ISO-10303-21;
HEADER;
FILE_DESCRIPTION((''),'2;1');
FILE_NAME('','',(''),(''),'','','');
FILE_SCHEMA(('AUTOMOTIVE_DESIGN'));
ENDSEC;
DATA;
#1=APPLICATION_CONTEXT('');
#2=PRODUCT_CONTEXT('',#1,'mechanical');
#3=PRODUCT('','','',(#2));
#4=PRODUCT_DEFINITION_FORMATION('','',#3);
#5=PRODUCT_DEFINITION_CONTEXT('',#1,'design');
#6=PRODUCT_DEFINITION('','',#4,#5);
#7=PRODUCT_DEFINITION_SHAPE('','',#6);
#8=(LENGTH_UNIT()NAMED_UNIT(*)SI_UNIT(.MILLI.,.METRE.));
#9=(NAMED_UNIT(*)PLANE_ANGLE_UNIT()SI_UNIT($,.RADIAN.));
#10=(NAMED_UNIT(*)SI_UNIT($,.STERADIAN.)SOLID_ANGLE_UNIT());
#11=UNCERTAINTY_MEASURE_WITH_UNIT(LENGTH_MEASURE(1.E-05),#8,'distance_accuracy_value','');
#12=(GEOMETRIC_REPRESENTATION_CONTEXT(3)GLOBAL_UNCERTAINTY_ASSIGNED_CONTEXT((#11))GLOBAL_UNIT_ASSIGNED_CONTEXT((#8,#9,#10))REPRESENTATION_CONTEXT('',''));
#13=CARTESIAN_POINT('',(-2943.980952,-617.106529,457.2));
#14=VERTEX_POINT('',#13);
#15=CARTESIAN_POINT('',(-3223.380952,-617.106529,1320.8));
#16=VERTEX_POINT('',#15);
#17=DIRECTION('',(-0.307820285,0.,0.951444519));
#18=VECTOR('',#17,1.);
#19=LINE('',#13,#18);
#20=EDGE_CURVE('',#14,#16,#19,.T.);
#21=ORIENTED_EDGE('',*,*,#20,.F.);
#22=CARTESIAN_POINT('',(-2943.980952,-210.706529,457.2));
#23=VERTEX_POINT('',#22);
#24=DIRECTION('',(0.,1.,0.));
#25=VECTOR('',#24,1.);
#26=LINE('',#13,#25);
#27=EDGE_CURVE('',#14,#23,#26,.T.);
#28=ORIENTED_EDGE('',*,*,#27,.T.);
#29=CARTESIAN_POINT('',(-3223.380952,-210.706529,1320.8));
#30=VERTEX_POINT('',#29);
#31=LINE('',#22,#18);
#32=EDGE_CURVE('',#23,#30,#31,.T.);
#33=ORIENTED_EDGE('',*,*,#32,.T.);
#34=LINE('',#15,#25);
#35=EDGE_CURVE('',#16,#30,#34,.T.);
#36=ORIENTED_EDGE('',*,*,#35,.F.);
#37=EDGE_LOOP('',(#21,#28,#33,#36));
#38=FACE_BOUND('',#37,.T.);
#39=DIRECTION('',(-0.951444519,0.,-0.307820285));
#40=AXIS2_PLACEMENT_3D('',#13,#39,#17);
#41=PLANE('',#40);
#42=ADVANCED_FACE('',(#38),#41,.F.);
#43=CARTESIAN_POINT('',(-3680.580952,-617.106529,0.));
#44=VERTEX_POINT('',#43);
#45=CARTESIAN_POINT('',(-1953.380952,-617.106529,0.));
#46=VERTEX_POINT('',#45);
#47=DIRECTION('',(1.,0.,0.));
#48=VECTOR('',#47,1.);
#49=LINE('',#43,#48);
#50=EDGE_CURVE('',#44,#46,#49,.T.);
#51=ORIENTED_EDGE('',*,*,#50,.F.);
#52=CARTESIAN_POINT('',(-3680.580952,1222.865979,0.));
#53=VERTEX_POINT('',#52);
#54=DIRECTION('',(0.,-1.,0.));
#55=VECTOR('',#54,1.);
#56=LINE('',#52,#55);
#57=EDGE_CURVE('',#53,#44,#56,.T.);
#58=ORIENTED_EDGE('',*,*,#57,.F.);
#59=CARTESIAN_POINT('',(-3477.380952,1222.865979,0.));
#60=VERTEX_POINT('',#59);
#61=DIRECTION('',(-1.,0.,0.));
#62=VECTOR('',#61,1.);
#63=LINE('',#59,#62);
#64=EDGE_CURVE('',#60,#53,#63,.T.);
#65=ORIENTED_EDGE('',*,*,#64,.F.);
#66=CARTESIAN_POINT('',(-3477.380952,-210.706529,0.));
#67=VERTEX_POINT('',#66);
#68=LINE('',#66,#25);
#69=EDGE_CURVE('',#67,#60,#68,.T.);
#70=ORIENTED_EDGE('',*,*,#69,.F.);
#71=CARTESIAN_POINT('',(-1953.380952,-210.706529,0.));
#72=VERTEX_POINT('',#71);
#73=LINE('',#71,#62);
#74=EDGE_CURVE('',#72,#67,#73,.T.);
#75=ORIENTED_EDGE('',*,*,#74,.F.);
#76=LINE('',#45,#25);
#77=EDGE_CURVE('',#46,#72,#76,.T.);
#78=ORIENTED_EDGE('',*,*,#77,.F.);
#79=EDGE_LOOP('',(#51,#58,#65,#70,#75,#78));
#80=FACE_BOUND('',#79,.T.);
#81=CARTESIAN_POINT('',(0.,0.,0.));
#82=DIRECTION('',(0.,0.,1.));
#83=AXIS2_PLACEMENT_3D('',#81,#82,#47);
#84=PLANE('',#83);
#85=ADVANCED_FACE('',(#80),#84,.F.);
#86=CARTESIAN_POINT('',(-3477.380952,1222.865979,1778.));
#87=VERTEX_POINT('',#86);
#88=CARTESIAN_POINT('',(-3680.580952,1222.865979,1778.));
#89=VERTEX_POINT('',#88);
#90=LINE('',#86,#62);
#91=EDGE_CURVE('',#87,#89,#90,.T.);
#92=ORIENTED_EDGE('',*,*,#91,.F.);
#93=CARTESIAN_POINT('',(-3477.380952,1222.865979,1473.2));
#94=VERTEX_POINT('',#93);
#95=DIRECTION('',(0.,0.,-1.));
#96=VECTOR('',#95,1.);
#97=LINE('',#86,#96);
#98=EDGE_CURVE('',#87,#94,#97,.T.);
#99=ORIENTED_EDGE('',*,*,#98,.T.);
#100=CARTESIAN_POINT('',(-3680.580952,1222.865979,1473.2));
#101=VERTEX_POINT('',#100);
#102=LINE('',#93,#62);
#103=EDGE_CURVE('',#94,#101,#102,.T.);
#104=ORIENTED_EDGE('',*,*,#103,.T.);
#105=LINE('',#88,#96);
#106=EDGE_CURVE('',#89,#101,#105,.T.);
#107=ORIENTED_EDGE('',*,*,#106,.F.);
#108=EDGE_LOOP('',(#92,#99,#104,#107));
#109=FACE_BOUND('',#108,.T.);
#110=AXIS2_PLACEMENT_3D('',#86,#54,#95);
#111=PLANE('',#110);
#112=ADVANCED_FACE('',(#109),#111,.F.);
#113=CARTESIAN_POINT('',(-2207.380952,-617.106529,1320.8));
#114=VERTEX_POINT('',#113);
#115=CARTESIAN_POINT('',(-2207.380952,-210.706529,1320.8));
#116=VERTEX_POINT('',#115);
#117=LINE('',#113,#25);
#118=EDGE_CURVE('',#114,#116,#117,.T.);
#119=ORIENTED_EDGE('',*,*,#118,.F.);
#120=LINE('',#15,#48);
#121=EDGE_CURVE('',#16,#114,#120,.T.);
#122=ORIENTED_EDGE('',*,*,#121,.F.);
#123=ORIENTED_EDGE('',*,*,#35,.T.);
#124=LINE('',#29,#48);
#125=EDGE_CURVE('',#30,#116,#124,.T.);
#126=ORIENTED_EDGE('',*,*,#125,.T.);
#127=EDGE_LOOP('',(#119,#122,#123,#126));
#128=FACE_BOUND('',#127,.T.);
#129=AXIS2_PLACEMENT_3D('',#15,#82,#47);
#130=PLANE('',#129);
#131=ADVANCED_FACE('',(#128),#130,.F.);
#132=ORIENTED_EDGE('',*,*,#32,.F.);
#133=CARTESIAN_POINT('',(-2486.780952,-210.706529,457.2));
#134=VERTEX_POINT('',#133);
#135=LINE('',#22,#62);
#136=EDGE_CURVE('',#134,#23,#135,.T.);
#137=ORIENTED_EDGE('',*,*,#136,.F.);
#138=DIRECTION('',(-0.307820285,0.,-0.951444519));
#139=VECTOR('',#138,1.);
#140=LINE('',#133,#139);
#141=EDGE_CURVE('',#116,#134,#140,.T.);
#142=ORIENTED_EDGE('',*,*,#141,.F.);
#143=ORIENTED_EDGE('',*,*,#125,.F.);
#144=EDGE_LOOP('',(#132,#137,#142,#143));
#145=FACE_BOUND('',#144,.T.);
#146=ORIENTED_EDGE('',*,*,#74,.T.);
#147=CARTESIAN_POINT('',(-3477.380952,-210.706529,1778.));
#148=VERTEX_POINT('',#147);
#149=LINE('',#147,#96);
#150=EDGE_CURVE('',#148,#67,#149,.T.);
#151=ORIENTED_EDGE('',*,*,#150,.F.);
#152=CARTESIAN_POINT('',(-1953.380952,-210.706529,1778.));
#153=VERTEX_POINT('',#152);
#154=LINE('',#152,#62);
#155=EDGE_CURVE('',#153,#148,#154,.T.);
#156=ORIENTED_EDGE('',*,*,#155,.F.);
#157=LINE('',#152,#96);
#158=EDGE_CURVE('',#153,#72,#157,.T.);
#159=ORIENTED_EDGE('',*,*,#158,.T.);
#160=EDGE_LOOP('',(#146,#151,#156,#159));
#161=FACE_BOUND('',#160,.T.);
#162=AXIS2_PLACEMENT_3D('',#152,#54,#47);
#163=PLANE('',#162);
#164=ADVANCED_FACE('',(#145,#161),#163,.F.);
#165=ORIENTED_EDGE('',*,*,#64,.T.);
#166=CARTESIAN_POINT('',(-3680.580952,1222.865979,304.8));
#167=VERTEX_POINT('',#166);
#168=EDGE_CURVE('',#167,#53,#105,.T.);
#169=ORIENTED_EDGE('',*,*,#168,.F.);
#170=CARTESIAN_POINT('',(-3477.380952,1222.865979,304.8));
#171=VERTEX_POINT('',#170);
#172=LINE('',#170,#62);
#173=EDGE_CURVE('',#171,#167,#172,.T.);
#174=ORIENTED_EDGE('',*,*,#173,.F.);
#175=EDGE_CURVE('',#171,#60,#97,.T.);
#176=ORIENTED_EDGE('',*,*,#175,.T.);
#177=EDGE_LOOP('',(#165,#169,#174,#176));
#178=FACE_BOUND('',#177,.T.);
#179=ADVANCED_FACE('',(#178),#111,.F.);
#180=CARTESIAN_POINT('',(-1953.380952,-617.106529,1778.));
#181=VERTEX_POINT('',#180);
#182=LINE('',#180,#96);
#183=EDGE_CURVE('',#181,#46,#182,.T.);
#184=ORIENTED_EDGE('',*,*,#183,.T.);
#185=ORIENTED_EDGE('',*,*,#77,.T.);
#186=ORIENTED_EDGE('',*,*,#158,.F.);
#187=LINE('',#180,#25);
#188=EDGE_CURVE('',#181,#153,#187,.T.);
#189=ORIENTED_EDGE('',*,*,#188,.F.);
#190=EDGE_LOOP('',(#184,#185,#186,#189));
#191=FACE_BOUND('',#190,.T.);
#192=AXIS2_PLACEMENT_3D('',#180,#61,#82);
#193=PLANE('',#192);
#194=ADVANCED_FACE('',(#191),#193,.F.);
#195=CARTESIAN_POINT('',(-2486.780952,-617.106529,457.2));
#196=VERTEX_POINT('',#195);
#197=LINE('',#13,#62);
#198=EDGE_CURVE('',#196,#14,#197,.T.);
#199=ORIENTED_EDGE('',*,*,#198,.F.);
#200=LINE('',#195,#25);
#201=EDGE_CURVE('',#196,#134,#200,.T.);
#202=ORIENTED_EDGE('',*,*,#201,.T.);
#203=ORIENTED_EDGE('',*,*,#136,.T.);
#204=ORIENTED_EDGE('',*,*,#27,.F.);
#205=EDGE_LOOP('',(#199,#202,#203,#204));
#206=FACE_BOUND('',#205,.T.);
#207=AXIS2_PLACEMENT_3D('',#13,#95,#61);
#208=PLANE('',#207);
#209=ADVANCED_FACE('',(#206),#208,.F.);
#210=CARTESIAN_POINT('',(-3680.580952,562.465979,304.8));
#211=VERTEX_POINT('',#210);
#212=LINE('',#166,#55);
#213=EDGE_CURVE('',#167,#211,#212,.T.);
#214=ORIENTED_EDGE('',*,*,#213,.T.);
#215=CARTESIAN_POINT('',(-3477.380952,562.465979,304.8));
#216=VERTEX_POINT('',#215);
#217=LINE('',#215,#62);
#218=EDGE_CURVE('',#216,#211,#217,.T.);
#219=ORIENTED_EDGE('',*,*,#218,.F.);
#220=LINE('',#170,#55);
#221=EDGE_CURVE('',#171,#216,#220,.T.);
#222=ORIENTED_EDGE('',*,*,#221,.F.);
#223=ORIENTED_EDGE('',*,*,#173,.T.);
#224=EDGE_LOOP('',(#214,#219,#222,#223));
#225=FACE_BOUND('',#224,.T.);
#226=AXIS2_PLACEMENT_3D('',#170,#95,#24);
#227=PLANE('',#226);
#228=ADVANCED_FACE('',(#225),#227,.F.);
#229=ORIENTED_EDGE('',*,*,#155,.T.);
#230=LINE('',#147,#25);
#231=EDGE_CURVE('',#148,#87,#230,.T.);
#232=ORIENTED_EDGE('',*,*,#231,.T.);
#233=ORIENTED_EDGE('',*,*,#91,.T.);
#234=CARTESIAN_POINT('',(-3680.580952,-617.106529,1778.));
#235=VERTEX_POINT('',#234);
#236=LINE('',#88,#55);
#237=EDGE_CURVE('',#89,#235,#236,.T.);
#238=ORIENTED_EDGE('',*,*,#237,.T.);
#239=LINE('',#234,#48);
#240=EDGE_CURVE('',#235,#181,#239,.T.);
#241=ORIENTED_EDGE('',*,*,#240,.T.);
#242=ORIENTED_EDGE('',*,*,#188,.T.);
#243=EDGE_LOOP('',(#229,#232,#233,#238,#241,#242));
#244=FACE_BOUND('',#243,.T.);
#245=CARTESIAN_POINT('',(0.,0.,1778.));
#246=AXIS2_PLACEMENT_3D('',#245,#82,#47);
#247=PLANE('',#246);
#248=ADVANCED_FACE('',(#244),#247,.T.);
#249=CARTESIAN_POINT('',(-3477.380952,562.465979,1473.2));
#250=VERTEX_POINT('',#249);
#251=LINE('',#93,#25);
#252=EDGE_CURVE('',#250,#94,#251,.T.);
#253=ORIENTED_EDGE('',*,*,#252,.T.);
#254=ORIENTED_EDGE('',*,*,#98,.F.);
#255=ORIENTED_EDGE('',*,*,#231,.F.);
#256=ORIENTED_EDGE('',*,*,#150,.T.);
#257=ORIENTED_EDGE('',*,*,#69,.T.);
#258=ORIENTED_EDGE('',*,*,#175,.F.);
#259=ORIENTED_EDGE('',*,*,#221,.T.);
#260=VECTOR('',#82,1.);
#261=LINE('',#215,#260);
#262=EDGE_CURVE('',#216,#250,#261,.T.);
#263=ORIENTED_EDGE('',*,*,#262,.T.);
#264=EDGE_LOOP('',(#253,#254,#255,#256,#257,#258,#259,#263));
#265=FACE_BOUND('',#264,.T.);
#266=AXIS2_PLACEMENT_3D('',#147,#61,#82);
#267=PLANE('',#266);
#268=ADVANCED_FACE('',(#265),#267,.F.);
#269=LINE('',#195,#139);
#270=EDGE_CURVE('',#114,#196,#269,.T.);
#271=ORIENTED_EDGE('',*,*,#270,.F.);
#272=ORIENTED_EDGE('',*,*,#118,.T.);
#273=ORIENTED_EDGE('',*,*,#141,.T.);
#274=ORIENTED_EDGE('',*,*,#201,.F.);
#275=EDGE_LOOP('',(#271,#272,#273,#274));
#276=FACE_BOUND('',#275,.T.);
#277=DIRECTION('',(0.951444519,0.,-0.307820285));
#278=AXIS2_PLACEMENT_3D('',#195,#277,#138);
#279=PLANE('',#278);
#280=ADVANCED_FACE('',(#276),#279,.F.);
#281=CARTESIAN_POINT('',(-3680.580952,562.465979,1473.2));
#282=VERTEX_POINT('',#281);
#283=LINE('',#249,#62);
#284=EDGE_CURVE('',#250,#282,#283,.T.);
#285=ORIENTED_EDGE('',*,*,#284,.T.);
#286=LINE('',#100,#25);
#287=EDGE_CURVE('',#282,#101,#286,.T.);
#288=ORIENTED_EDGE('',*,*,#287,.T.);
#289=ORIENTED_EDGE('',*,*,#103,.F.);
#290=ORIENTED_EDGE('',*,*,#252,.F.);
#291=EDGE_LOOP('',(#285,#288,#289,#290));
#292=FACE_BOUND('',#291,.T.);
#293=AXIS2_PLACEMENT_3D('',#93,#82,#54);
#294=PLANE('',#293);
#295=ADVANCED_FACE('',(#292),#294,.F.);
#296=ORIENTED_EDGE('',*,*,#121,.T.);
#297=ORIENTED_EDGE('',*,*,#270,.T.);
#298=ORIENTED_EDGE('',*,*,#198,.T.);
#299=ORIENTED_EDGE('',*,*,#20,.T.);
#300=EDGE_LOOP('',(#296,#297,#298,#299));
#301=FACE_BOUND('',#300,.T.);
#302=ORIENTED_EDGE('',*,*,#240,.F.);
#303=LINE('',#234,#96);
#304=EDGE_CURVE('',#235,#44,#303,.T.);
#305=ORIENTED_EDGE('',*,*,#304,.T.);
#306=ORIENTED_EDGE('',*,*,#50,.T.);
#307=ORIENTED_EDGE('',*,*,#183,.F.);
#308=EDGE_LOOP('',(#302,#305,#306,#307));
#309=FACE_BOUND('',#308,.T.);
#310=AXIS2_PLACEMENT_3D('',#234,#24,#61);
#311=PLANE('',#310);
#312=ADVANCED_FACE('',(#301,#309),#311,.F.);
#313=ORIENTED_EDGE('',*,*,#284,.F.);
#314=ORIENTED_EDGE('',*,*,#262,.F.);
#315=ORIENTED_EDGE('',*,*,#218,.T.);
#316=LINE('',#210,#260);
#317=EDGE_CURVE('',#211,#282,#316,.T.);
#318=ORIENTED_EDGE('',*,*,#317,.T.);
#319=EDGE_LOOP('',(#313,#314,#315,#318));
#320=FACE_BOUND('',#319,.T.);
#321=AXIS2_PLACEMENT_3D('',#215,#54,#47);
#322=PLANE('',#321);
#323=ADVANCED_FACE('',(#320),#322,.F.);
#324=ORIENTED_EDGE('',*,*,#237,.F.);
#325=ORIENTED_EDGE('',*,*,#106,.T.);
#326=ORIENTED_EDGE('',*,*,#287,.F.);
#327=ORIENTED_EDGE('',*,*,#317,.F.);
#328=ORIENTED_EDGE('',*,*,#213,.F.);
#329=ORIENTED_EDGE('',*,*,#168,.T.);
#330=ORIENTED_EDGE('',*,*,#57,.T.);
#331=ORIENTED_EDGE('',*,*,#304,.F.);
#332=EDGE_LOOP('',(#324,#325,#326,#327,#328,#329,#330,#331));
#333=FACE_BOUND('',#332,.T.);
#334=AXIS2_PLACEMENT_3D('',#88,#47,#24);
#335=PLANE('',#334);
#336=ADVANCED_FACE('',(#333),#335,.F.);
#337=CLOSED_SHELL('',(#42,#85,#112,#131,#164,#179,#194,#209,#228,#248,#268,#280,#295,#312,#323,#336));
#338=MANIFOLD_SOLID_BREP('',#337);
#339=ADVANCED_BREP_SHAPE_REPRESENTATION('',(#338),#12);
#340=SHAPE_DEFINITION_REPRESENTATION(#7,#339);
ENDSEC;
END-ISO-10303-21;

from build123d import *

# Parameters (mm, degrees)
Y_KSEKLIK_EKSTR_ZYON1_DEPTH = 1778
IZIM3_W                     = 1168.4
IZIM3_H                     = 660.4
KES_EKSTR_ZYON1_DEPTH       = 203.2
KES_EKSTR_ZYON2_DEPTH       = 406.4


with BuildPart() as part:
    # Çizim1 → Yükseklik-Ekstrüzyon1 (new body)
    with BuildSketch(Plane.XY):
        Polygon((-3680.580952381, 1222.865979381), (-3680.580952381, -617.10652921), (-1953.380952381, -617.10652921), (-1953.380952381, -210.70652921), (-3477.380952381, -210.70652921), (-3477.380952381, 1222.865979381), align=None)
    extrude(amount=Y_KSEKLIK_EKSTR_ZYON1_DEPTH)

    # Çizim3 → Kes-Ekstrüzyon1 (cut)
    with BuildSketch(Plane.ZY.offset(3680.580952381)):
        with Locations((889, 892.665979381)):
            Rectangle(IZIM3_W, IZIM3_H)
    extrude(amount=-KES_EKSTR_ZYON1_DEPTH, mode=Mode.SUBTRACT)

    # Çizim4 → Kes-Ekstrüzyon2 (cut)
    with BuildSketch(Plane(origin=(0, -210.70652921, 0), x_dir=(1, 0, 0), z_dir=(0, 1, 0))):
        Polygon((-2943.980952381, -457.2), (-2486.780952381, -457.2), (-2207.380952381, -1320.8), (-3223.380952381, -1320.8), align=None)
    extrude(amount=-KES_EKSTR_ZYON2_DEPTH, mode=Mode.SUBTRACT)


solid = part.part
